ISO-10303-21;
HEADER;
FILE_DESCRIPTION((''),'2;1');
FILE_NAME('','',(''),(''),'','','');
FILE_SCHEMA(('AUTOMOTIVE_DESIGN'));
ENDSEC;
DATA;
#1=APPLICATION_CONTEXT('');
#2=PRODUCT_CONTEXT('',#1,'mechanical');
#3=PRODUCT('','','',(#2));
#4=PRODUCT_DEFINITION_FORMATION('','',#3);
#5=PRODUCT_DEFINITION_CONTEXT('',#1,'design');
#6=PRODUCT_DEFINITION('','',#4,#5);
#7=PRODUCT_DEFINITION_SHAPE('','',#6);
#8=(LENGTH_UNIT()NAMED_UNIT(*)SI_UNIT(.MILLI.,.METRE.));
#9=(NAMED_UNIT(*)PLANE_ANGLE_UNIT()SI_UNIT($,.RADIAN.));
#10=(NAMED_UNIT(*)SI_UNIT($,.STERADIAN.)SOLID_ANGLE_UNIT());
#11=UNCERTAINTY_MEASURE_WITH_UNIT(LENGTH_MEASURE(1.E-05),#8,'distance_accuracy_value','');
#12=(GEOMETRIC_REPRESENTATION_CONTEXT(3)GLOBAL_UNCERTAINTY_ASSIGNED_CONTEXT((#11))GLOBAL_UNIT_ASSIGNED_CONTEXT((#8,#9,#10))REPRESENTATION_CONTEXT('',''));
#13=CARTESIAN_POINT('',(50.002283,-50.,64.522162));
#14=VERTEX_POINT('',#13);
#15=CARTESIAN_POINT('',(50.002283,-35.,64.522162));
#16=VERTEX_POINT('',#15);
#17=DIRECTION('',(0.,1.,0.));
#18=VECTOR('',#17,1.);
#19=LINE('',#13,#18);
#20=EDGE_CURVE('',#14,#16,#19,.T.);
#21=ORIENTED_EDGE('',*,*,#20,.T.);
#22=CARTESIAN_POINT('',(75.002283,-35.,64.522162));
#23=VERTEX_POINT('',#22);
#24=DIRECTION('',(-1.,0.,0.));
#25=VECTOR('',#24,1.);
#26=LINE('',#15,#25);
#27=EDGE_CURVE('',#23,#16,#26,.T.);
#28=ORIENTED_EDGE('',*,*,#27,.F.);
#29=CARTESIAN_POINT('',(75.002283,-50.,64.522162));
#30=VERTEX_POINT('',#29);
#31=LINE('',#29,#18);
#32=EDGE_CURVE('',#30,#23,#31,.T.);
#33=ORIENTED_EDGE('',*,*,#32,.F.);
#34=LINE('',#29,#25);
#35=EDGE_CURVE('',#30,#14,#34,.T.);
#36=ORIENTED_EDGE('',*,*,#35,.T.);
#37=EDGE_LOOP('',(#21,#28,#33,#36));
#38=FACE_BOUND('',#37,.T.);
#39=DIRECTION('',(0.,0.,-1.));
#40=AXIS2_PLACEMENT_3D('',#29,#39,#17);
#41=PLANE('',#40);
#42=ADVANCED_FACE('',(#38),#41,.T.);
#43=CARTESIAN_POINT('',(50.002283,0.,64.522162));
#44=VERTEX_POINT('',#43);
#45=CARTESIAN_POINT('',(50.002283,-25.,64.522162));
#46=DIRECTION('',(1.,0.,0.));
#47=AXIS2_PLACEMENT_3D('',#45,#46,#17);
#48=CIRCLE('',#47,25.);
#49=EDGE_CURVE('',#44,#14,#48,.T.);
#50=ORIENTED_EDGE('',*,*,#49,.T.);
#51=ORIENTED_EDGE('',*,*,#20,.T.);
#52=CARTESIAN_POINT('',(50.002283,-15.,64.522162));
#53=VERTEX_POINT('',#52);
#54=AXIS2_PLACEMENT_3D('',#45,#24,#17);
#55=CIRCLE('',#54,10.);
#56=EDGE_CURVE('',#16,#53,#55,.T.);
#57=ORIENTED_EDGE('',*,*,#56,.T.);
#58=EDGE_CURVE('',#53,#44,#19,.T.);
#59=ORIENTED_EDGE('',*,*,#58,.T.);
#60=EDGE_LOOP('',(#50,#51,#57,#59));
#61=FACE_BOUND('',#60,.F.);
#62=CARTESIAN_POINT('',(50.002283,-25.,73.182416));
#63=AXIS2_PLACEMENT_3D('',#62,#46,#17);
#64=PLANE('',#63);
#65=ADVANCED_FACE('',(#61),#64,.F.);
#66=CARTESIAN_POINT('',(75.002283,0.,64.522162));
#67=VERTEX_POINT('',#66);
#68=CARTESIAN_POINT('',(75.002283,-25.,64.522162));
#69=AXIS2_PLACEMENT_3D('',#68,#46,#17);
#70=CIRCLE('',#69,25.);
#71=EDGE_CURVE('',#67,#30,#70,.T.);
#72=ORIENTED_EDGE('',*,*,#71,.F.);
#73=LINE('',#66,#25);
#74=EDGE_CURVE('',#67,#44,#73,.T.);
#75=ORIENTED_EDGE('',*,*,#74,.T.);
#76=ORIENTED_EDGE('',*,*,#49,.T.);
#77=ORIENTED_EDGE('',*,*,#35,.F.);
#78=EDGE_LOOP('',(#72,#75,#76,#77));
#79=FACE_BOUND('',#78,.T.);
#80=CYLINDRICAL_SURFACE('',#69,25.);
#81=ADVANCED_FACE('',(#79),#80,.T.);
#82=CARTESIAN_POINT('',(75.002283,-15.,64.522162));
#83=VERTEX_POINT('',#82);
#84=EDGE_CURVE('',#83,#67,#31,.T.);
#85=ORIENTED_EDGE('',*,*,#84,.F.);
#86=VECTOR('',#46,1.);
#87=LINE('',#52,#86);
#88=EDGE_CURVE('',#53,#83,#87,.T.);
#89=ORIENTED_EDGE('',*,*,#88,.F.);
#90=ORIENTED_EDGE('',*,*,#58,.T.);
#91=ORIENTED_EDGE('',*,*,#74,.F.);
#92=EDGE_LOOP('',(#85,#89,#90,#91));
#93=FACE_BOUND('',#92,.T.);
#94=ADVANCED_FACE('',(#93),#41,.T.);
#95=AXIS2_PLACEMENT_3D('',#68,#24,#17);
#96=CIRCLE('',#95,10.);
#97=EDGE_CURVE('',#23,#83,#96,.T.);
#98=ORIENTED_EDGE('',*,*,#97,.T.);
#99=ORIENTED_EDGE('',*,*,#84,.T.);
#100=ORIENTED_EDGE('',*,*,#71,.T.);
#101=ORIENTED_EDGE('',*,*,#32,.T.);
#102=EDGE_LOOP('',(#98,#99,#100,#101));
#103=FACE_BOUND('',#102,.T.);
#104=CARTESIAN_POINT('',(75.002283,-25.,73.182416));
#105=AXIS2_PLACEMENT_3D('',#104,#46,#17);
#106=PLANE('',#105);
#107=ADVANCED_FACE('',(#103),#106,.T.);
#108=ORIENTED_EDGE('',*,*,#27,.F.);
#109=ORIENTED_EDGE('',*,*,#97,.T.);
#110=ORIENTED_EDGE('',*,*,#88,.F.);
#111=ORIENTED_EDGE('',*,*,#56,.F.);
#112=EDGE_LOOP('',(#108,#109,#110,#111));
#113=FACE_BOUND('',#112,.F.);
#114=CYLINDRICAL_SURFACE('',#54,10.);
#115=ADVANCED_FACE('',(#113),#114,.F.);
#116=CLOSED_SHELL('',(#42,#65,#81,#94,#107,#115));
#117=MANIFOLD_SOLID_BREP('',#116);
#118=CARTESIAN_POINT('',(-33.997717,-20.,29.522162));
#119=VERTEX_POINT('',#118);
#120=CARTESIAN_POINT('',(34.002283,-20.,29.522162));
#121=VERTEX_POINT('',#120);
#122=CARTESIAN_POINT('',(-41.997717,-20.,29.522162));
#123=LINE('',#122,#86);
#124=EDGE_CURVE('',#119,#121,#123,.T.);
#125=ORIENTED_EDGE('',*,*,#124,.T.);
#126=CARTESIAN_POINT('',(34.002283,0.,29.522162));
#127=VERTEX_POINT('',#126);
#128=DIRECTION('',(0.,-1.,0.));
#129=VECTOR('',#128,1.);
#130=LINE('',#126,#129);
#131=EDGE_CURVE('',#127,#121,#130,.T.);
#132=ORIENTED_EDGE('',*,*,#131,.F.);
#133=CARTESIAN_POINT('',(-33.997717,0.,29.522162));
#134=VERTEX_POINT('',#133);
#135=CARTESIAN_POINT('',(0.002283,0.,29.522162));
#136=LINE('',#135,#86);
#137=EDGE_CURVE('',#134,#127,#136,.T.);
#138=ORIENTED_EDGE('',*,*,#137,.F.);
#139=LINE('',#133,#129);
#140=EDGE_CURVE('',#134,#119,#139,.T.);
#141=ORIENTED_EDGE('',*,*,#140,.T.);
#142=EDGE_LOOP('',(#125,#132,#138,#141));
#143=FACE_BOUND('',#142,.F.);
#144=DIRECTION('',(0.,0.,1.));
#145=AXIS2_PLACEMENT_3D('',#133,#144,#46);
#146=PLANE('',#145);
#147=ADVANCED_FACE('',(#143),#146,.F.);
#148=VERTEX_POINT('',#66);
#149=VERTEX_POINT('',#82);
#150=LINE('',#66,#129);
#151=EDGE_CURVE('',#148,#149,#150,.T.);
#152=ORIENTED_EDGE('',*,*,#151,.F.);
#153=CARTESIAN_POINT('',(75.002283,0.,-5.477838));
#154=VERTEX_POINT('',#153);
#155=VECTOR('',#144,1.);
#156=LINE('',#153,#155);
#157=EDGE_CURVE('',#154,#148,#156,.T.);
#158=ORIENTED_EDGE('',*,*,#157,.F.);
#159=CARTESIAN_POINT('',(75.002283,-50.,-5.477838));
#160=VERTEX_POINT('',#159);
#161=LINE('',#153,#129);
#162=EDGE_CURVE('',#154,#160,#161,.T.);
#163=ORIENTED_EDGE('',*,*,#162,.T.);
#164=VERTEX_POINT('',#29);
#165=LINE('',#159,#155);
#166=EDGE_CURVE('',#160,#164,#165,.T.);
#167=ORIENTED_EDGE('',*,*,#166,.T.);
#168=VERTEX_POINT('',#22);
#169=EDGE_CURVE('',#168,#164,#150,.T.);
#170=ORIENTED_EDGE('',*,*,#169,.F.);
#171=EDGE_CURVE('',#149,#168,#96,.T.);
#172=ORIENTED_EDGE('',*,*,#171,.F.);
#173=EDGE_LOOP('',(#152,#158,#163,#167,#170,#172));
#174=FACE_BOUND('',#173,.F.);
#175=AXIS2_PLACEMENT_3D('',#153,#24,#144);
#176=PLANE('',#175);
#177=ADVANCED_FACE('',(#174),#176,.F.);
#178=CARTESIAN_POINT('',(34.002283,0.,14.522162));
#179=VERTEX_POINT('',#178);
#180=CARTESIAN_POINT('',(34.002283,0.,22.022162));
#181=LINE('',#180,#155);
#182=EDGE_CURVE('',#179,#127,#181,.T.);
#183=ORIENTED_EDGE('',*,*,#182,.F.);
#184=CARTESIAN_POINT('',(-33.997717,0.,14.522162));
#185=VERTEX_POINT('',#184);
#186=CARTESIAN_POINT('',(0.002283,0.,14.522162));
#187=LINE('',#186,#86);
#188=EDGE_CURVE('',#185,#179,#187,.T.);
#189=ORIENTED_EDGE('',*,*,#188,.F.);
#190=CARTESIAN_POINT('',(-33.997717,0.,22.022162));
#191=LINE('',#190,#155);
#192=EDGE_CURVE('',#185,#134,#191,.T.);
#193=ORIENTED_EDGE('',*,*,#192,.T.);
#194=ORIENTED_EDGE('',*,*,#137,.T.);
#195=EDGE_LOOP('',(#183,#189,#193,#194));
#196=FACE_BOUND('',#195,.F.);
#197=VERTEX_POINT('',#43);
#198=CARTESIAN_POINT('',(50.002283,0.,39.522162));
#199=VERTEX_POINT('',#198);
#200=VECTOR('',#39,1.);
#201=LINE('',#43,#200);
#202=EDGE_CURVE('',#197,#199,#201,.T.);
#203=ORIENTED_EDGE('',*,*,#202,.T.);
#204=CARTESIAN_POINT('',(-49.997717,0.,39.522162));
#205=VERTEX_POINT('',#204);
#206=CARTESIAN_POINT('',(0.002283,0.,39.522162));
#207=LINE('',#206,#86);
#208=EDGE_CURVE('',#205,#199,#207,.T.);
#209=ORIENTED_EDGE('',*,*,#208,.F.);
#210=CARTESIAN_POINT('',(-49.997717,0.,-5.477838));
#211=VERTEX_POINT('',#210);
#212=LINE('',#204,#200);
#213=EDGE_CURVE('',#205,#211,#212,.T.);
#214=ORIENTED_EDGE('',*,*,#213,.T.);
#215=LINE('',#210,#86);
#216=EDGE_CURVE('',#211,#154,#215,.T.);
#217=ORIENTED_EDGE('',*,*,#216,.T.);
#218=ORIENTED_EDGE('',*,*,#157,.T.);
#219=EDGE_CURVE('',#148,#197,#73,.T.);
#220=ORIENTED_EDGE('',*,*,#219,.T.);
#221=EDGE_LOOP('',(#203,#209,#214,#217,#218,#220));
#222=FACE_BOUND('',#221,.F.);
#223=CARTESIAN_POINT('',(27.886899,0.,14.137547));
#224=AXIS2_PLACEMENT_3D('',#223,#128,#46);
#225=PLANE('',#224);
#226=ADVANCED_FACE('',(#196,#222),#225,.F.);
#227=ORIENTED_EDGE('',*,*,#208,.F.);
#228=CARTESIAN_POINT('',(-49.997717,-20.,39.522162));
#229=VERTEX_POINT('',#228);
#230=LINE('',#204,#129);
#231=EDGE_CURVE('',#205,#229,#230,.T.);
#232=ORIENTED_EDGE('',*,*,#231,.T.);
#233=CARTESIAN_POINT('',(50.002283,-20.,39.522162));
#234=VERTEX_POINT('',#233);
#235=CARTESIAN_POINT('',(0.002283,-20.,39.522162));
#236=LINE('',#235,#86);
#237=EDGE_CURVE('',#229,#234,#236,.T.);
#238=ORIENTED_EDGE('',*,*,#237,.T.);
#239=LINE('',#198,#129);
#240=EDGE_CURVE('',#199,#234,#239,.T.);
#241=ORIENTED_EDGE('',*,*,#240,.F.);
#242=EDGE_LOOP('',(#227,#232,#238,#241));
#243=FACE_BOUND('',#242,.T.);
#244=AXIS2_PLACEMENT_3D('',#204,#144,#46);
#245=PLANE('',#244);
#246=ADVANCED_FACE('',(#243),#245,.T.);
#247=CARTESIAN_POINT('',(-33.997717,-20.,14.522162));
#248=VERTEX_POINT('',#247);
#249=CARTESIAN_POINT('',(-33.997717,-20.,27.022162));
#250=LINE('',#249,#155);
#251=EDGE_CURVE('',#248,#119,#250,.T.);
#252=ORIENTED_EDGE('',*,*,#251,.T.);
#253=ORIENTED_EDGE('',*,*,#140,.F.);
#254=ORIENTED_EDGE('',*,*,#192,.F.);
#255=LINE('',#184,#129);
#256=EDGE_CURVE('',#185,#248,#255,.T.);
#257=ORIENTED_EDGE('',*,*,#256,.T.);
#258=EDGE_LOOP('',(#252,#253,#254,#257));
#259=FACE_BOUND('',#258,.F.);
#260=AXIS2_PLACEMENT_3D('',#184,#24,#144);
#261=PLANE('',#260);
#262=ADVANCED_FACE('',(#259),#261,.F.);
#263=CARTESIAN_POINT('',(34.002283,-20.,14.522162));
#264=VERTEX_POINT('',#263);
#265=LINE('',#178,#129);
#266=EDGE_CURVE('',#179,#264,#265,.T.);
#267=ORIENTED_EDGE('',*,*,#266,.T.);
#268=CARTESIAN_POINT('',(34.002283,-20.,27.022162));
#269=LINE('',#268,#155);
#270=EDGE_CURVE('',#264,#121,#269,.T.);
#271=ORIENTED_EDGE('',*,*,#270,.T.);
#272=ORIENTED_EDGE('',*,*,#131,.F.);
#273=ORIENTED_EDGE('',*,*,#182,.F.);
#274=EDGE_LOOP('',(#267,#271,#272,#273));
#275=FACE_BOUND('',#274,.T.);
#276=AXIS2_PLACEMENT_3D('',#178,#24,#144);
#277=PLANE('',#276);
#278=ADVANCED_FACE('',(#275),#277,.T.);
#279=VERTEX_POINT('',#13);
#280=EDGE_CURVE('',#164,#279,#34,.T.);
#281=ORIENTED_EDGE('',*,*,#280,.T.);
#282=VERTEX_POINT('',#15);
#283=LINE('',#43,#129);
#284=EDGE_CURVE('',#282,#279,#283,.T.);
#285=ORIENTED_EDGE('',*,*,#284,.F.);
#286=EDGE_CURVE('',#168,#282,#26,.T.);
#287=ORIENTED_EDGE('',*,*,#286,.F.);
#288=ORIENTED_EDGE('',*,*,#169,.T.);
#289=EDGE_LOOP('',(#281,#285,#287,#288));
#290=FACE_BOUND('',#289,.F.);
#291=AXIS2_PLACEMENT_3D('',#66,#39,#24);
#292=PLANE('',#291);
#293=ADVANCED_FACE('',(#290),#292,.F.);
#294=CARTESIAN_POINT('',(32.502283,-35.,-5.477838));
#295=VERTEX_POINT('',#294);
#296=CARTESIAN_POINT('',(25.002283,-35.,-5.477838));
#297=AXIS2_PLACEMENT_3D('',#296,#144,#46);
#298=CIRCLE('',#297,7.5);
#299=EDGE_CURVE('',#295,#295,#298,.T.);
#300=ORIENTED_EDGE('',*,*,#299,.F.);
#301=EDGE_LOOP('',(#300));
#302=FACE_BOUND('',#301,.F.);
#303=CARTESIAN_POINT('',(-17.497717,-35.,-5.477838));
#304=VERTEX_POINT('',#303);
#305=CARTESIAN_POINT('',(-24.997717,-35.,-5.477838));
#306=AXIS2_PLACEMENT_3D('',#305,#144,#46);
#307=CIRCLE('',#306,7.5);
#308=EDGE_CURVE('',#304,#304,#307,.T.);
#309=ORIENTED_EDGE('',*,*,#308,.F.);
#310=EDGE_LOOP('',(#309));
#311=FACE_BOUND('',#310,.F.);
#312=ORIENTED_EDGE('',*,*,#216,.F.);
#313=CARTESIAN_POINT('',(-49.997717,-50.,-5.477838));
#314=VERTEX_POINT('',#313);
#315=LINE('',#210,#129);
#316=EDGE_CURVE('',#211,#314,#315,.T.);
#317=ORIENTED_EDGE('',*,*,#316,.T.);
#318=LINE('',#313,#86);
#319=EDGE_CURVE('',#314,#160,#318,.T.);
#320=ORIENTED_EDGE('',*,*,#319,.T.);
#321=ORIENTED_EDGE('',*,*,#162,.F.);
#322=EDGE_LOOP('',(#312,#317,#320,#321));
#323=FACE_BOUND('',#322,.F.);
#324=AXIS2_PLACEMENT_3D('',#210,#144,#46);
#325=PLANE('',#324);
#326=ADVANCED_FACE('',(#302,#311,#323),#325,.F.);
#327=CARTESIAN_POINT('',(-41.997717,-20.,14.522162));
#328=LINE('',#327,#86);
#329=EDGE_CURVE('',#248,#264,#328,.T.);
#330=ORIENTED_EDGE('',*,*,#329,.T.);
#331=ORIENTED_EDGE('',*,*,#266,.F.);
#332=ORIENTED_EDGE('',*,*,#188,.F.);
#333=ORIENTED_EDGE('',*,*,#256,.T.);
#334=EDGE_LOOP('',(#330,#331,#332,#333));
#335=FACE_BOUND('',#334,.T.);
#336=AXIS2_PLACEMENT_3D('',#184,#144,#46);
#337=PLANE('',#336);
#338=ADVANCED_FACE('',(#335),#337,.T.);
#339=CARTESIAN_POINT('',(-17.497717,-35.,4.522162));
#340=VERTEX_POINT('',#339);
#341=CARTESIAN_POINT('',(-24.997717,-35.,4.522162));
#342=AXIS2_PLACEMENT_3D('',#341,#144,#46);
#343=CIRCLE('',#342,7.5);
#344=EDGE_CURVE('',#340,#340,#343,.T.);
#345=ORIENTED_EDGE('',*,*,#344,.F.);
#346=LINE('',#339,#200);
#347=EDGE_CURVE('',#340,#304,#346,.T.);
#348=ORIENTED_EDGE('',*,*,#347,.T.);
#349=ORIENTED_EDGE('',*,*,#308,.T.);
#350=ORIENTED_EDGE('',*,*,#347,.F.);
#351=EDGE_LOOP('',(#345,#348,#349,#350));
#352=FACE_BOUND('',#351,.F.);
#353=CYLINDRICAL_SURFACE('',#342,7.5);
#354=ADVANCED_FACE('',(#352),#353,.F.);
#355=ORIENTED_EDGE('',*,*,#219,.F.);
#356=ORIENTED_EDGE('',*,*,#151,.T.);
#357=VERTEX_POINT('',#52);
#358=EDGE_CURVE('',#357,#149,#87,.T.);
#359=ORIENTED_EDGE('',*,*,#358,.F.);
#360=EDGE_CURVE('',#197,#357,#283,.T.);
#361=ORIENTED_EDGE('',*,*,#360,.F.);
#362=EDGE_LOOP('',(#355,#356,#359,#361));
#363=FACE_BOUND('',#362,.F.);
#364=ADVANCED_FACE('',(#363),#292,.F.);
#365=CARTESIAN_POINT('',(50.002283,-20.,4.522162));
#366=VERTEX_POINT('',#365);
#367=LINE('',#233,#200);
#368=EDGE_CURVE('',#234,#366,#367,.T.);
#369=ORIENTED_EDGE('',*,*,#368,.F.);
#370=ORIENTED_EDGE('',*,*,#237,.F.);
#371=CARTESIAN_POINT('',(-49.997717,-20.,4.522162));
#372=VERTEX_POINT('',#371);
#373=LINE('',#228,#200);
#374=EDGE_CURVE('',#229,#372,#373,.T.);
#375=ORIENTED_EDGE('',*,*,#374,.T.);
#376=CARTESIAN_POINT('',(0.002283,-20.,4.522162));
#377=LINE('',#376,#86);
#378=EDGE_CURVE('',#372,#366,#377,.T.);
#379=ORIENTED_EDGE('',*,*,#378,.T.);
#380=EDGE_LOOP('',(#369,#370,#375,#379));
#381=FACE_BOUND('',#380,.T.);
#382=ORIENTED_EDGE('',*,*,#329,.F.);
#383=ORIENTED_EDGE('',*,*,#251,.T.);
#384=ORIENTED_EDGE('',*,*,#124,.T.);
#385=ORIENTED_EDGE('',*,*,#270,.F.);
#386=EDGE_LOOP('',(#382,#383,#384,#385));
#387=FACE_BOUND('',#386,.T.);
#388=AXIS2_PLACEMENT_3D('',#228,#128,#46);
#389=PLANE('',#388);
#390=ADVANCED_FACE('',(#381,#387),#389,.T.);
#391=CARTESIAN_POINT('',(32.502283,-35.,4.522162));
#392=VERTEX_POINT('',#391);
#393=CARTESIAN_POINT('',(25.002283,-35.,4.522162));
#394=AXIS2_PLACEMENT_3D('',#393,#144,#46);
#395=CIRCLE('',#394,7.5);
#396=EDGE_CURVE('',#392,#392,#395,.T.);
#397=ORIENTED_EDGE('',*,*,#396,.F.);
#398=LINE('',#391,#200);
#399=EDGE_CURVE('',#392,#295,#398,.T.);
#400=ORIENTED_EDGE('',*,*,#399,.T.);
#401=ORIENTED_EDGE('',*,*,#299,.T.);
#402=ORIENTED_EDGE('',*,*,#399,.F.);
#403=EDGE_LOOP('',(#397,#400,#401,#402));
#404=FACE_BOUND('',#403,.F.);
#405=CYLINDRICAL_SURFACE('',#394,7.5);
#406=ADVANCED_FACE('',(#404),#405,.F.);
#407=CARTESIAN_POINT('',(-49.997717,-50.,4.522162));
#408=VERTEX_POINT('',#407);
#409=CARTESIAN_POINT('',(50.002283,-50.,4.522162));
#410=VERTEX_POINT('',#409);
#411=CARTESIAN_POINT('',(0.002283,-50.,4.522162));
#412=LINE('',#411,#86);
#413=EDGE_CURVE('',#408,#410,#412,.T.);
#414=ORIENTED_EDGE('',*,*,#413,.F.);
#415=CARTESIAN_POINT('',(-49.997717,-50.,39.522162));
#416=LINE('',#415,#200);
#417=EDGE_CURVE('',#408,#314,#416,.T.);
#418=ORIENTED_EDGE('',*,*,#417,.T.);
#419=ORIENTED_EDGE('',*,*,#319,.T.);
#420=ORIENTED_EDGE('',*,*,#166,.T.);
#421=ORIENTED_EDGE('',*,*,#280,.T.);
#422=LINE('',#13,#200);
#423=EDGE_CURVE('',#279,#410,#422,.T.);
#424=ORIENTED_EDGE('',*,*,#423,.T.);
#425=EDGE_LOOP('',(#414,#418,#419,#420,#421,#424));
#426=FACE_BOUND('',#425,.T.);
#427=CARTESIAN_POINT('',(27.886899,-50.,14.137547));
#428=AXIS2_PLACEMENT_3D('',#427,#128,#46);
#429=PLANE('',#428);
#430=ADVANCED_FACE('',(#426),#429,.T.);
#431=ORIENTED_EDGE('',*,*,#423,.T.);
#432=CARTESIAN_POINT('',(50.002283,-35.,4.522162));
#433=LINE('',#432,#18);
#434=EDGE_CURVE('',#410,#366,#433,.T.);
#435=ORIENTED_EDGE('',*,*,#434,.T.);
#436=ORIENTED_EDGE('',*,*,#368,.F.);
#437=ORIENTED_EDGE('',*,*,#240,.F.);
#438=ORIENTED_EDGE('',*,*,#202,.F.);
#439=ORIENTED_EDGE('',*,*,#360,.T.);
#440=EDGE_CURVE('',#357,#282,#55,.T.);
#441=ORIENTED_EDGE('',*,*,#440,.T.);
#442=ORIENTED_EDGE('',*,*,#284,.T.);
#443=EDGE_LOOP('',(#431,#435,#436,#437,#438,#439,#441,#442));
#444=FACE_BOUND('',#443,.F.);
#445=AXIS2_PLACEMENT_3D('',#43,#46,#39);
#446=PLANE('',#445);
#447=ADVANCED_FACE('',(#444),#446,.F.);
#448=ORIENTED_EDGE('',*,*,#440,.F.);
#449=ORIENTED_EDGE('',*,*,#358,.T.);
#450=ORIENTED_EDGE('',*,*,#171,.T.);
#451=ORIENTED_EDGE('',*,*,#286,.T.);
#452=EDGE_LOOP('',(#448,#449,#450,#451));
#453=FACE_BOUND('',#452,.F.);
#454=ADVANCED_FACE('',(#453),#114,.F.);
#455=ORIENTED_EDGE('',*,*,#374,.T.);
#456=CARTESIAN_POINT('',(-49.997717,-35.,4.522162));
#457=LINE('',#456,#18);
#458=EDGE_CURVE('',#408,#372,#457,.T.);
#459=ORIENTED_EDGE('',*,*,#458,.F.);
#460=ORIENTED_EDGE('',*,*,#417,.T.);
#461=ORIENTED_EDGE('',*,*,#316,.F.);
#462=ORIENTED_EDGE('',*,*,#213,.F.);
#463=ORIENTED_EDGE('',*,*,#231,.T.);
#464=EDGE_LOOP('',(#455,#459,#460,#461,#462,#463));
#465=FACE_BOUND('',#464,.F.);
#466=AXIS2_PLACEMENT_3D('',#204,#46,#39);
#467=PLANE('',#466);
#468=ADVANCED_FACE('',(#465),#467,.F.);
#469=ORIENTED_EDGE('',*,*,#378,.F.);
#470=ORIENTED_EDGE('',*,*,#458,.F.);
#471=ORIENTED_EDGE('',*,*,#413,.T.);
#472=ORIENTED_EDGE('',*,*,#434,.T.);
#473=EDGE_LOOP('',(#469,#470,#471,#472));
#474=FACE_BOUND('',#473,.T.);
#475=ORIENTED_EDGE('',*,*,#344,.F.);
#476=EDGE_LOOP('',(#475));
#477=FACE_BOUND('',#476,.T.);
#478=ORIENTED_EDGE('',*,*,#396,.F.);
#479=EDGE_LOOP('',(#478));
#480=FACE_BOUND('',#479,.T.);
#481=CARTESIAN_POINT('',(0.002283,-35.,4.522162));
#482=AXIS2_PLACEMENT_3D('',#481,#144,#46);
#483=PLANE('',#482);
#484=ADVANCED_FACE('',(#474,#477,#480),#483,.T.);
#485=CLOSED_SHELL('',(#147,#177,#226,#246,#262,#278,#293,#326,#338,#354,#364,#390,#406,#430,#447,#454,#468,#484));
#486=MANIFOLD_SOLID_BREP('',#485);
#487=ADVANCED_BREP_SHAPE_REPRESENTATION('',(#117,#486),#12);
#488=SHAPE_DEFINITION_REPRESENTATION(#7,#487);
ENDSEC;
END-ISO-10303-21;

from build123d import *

# Parameters (mm, degrees)
F0_W      = 100
F0_H      = 35
F0_W_2    = 68
F0_H_2    = 15
F1_DEPTH  = 50
F2_W      = 100
F2_H      = 30
F4_DEPTH  = 35
F5_R      = 7.5
F6_DEPTH  = 2540
F8_DEPTH  = 25
F10_DEPTH = 508
F12_DEPTH = 508


with BuildPart() as f1:
    # F0 (on Front) → F1 (new body)
    with BuildSketch(Plane.XZ):
        Polygon((50.0022833438, 4.5221619845), (-49.9977166562, 4.5221619845), (-49.9977166562, -5.4778380155), (75.0022833438, -5.4778380155), (75.0022833438, 64.5221619845), (50.0022833438, 64.5221619845), (50.0022833438, 39.5221619845), align=None)
        with Locations((0.0022833438, 22.0221619845)):
            Rectangle(F0_W, F0_H)
        with Locations((0.0022833438, 22.0221619845)):
            Rectangle(F0_W_2, F0_H_2, mode=Mode.SUBTRACT)
    extrude(amount=F1_DEPTH)

    # F2 (on face) → F4 (cut)
    with BuildSketch(Plane.XY.offset(39.5221619845)):
        with Locations((0.0022833438, -35)):
            Rectangle(F2_W, F2_H)
    extrude(amount=-F4_DEPTH, mode=Mode.SUBTRACT)

    # F5 (on face) → F6 (cut)
    with BuildSketch(Plane.XY.offset(4.5221619845)):
        with Locations((-24.9977166562, -35)):
            Circle(F5_R)
        with Locations((25.0022833438, -35)):
            Circle(F5_R)
    extrude(amount=-F6_DEPTH, mode=Mode.SUBTRACT)


with BuildPart() as f8:
    # F7 (on face) → F8 (new body)
    with BuildSketch(Plane.YZ.offset(75.0022833438)):
        with BuildLine():
            Line((-50, 64.5221619845), (0, 64.5221619845))
            ThreePointArc((0, 64.5221619845), (-25, 89.5221619845), (-50, 64.5221619845))
        make_face()
    extrude(amount=-F8_DEPTH)


with BuildPart() as f10_tool:
    # F9 (on face) → F10 (new body)
    with BuildSketch(Plane(origin=(50.0022833438, 0, 0), x_dir=(0, -1, 0), z_dir=(-1, 0, 0))):
        with BuildLine():
            Line((15, 64.5221619845), (35, 64.5221619845))
            ThreePointArc((35, 64.5221619845), (25, 74.5221619845), (15, 64.5221619845))
        make_face()
        with BuildLine():
            ThreePointArc((15, 64.5221619845), (25, 54.5221619845), (35, 64.5221619845))
            Line((35, 64.5221619845), (15, 64.5221619845))
        make_face()
    extrude(amount=-F10_DEPTH)


with BuildPart() as f1_1:
    add(f1.part)

    # F10: cut by f10_tool
    add(f10_tool.part, mode=Mode.SUBTRACT)

    # F11 (on face) → F12 (cut)
    with BuildSketch(Plane(origin=(50.0022833438, 0, 0), x_dir=(0, -1, 0), z_dir=(-1, 0, 0))):
        with BuildLine():
            ThreePointArc((15, 64.5221619845), (25, 54.5221619845), (35, 64.5221619845))
            ThreePointArc((35, 64.5221619845), (25, 74.5221619845), (15, 64.5221619845))
        make_face()
    extrude(amount=-F12_DEPTH, mode=Mode.SUBTRACT)


with BuildPart() as f8_1:
    add(f8.part)

    # F10: cut by f10_tool
    add(f10_tool.part, mode=Mode.SUBTRACT)


solid = Compound([f1_1.part, f8_1.part])
